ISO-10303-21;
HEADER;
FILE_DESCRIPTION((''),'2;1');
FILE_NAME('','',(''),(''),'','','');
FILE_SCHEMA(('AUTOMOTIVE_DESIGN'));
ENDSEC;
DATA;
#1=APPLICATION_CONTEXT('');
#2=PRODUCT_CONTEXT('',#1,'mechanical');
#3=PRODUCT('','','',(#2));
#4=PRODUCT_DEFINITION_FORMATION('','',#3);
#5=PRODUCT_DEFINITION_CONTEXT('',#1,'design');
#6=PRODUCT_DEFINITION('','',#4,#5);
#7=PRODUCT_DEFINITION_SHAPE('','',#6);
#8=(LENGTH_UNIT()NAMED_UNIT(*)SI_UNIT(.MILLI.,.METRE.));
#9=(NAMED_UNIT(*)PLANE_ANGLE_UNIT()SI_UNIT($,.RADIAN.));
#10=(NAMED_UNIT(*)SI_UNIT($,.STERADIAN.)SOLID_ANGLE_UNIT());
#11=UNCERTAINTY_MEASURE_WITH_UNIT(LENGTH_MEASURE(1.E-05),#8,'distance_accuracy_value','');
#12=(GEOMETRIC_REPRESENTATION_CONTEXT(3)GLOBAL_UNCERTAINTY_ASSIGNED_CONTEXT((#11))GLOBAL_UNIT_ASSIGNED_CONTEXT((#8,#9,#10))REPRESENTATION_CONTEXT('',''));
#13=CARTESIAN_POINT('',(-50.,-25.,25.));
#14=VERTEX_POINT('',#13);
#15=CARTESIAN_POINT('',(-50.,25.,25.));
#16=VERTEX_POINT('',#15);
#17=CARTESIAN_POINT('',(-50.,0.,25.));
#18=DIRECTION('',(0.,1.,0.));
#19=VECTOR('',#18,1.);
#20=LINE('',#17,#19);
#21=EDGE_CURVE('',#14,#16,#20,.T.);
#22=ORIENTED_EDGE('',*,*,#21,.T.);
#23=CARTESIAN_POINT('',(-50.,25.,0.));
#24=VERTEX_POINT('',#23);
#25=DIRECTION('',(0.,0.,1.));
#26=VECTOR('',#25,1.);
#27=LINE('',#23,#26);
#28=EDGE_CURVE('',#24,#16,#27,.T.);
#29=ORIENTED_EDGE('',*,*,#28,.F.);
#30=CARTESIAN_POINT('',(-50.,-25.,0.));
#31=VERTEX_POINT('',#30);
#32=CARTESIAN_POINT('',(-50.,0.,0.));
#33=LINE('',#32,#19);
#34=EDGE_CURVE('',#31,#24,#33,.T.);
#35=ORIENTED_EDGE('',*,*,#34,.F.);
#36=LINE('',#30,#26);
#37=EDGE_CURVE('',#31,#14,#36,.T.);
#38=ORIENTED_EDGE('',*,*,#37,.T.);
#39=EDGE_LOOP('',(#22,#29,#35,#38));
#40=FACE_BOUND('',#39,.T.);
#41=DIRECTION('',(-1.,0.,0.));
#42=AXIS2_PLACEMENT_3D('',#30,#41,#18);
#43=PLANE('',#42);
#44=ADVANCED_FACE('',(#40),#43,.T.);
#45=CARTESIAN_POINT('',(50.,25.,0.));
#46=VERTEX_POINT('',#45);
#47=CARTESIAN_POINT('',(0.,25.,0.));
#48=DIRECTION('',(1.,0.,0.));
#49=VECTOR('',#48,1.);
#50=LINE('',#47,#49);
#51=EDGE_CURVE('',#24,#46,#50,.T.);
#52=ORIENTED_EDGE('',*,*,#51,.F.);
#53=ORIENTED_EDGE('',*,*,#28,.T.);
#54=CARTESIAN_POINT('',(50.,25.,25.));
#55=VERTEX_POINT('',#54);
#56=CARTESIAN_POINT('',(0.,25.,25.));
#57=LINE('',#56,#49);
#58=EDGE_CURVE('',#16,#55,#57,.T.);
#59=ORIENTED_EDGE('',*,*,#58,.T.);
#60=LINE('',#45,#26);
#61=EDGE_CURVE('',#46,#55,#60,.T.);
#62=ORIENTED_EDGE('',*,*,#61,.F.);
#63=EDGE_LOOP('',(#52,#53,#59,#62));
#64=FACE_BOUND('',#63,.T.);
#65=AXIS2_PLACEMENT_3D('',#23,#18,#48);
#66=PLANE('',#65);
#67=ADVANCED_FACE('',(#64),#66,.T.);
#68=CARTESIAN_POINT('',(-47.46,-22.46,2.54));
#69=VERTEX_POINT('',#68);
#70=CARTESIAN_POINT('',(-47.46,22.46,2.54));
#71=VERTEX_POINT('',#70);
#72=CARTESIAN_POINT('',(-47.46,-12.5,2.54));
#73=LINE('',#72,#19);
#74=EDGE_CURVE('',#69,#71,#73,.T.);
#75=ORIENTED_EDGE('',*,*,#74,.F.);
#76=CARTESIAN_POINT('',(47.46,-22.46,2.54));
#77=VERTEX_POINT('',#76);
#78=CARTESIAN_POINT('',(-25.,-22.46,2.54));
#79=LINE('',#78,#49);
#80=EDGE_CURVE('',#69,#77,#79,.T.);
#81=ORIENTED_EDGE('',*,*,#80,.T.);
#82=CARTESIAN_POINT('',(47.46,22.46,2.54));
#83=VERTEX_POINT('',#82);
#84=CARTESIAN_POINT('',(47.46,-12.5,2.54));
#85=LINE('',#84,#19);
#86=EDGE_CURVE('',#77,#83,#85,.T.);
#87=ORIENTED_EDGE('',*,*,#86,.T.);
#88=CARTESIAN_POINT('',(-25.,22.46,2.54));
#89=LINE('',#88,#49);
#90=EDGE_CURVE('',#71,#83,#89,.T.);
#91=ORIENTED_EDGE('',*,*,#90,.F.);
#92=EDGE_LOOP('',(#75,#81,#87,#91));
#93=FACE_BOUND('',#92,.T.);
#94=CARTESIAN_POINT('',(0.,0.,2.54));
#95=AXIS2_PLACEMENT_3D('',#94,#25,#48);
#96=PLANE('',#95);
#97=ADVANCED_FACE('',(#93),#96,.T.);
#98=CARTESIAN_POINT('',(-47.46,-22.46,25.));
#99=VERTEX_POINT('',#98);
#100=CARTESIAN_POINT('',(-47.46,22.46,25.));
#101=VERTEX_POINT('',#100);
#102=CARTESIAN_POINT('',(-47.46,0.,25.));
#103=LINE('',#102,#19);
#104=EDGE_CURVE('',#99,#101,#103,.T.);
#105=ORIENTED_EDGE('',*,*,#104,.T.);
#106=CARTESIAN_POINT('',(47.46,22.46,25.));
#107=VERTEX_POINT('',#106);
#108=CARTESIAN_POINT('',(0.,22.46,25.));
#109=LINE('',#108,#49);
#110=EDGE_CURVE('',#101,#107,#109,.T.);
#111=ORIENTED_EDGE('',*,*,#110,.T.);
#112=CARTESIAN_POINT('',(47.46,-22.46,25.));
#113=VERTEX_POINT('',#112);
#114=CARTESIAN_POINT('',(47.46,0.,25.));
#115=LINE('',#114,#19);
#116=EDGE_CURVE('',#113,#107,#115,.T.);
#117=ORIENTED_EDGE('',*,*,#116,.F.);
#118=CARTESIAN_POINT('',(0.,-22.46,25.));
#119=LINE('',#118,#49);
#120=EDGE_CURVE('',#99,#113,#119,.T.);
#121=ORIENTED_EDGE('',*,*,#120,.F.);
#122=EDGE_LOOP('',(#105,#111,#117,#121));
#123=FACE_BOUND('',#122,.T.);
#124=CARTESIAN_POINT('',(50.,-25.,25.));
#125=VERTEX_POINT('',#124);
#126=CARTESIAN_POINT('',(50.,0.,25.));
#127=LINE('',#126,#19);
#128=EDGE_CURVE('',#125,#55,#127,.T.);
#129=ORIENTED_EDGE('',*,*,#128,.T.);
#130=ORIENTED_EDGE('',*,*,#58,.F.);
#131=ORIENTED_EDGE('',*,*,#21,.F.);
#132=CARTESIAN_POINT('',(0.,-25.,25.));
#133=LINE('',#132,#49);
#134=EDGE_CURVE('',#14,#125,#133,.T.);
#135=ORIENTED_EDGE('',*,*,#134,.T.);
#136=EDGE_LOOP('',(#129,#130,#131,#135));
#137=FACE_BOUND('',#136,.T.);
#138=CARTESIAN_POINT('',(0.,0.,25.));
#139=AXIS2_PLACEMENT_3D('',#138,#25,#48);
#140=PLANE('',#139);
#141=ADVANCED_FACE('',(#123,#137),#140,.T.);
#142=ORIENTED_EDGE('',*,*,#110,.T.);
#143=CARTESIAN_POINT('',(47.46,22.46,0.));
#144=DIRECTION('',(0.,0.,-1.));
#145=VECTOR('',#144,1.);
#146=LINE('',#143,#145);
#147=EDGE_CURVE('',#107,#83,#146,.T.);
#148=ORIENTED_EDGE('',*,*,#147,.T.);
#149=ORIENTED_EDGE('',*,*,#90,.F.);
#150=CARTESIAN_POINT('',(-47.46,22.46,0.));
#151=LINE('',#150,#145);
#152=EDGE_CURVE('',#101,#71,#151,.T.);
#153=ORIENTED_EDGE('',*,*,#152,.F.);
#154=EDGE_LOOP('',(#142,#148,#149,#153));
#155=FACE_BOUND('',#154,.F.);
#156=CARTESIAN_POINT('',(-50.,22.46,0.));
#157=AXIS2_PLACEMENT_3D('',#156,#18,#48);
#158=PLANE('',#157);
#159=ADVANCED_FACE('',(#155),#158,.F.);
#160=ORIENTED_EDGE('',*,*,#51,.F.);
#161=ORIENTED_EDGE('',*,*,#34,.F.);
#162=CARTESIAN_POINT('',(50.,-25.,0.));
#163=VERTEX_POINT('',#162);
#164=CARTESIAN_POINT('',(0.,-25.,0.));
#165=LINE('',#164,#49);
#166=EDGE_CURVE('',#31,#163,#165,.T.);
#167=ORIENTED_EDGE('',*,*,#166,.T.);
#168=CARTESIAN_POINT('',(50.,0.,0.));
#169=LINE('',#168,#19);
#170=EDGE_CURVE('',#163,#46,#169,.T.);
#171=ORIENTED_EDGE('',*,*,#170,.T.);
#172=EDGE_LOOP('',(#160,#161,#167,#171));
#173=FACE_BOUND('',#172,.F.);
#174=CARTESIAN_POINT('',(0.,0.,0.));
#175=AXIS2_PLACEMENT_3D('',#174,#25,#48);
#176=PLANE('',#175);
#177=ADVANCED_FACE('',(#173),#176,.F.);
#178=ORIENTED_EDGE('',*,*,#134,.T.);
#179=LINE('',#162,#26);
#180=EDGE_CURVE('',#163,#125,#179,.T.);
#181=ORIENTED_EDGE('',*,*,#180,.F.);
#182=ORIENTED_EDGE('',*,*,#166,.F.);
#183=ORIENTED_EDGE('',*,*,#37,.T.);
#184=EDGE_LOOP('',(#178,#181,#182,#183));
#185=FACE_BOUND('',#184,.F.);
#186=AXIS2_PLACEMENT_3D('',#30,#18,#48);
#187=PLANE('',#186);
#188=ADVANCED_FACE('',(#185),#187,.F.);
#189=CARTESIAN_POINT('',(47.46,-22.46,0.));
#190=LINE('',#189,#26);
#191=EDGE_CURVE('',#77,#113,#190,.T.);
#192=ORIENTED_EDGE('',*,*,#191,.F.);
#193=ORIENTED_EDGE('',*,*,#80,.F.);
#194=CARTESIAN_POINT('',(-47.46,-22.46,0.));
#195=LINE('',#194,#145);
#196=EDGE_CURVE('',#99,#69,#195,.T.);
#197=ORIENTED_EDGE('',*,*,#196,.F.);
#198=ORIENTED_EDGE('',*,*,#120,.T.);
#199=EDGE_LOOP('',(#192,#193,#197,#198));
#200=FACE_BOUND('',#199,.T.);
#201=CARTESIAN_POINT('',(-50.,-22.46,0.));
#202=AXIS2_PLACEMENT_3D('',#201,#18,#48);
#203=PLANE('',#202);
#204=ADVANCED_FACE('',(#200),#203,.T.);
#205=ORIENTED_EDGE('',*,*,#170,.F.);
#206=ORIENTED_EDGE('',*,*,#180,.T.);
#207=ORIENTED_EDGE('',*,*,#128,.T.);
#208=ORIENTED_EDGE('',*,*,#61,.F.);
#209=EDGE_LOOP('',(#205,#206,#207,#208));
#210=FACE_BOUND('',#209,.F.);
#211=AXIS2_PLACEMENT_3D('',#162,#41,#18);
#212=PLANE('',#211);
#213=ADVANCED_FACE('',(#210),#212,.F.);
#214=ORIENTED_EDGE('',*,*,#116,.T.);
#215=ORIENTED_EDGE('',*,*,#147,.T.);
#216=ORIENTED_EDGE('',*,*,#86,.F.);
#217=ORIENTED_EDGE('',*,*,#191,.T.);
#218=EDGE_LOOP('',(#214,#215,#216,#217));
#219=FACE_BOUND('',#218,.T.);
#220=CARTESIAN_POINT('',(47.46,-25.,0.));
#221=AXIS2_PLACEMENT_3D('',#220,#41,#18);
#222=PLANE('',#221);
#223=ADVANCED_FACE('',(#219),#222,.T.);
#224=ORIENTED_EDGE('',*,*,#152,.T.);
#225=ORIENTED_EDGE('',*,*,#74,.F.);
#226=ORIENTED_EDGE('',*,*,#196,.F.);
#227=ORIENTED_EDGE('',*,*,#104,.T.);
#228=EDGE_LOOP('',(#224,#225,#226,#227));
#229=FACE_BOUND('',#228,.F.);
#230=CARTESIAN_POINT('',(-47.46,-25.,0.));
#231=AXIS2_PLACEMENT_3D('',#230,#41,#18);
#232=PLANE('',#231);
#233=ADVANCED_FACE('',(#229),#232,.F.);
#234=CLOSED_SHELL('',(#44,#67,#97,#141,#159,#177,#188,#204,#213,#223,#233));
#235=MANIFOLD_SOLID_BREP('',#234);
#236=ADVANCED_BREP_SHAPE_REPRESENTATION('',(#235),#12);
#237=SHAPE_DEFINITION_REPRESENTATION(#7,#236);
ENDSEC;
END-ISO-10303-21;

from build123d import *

# Parameters (mm, degrees)
F0_W     = 100
F0_H     = 50
F1_DEPTH = 25
F2_T     = -2.54
F3_R     = 7.874883
F4_DEPTH = 25.4


with BuildPart() as f1:
    # F0 (on Top) → F1 (new body)
    with BuildSketch(Plane.XY):
        Rectangle(F0_W, F0_H)
    extrude(amount=F1_DEPTH)

    # F2
    f2_openings = [f1.faces().sort_by_distance(p)[0] for p in [
        (0, 0, 25),
    ]]
    offset(amount=F2_T, openings=f2_openings)

    # F3 (on face) → F4 (cut)
    with BuildSketch(Plane.YZ.offset(50)):
        with Locations((0, 13.071434)):
            Circle(F3_R)
    extrude(amount=F4_DEPTH, mode=Mode.SUBTRACT)


solid = f1.part
